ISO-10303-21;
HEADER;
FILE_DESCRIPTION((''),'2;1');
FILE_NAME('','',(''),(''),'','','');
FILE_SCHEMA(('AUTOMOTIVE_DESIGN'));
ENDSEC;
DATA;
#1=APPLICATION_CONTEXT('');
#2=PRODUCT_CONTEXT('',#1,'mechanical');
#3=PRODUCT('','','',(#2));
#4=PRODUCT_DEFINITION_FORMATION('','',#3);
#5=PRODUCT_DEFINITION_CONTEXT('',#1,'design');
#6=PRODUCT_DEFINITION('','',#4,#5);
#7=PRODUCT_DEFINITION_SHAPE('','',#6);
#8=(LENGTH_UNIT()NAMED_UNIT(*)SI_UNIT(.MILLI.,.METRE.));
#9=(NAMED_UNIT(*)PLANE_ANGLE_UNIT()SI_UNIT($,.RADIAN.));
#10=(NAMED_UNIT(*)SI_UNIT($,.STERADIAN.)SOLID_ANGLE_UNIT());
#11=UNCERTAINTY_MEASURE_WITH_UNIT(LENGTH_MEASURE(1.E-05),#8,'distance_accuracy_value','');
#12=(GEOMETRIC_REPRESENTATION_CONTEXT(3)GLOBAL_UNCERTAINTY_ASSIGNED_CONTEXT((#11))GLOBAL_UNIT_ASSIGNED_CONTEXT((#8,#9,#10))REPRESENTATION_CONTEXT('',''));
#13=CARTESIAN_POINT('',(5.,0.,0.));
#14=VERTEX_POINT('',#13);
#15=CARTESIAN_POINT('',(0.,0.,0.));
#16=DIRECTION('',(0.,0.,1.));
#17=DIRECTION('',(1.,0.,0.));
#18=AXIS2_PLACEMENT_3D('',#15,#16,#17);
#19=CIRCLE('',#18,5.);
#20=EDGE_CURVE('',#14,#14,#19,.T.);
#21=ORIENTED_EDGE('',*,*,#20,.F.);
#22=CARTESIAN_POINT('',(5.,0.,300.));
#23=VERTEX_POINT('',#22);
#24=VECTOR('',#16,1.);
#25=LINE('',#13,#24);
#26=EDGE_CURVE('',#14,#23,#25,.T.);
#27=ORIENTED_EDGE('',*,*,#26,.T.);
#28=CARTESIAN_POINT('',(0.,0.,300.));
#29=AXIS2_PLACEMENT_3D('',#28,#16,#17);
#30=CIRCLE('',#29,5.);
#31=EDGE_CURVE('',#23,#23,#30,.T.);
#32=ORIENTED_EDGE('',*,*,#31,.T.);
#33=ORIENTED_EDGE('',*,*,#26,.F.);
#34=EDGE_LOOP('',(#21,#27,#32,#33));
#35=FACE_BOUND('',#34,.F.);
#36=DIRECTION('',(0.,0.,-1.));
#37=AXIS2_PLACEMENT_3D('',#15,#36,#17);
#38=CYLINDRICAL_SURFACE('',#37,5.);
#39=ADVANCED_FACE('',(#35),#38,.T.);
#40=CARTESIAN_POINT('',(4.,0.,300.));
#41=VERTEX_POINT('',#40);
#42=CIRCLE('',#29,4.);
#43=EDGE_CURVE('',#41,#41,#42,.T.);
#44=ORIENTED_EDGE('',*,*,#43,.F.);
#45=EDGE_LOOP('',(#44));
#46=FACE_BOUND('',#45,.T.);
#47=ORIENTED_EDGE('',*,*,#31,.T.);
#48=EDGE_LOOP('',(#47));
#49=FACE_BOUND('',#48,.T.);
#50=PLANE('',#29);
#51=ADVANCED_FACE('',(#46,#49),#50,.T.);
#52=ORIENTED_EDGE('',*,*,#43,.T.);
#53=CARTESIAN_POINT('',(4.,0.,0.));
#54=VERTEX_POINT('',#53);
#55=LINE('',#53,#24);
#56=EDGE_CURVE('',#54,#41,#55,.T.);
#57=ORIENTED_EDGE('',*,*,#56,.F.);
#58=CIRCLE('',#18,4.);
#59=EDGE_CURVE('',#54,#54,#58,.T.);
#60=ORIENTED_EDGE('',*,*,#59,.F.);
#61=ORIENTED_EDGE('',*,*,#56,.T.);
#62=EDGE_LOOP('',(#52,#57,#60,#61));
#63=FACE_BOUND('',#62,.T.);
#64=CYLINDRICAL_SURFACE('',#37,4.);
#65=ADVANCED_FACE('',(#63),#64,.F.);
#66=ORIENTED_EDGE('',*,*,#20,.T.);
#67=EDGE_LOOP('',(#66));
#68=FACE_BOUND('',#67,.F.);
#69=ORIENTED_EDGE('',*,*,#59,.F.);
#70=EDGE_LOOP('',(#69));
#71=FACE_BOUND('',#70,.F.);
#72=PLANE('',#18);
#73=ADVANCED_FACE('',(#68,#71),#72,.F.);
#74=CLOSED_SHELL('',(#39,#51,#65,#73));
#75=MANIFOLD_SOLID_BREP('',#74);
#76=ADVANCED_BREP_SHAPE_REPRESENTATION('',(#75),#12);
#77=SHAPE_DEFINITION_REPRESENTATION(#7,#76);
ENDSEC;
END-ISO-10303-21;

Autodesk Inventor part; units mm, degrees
ref_plane "YZ Plane" through (0, 0, 0) normal (1, 0, 0) x (0, 1, 0)
ref_plane "XZ Plane" through (0, 0, 0) normal (0, 1, 0) x (-1, 0, 0)
ref_plane "XY Plane" through (0, 0, 0) normal (0, 0, 1) x (1, 0, 0)
sketch "Sketch1" plane through (0, 0, 0) normal (0, 0, 1) x (1, 0, 0)
  circle A0 centre (0, 0) radius 4
  circle A1 centre (0, 0) radius 5
  dimension "d0" = 8
  dimension "d1" = 10
extrude "Extrusion1" add sketch "Sketch1" along normal blind 300
properties part number "long_carbon_fiber"
